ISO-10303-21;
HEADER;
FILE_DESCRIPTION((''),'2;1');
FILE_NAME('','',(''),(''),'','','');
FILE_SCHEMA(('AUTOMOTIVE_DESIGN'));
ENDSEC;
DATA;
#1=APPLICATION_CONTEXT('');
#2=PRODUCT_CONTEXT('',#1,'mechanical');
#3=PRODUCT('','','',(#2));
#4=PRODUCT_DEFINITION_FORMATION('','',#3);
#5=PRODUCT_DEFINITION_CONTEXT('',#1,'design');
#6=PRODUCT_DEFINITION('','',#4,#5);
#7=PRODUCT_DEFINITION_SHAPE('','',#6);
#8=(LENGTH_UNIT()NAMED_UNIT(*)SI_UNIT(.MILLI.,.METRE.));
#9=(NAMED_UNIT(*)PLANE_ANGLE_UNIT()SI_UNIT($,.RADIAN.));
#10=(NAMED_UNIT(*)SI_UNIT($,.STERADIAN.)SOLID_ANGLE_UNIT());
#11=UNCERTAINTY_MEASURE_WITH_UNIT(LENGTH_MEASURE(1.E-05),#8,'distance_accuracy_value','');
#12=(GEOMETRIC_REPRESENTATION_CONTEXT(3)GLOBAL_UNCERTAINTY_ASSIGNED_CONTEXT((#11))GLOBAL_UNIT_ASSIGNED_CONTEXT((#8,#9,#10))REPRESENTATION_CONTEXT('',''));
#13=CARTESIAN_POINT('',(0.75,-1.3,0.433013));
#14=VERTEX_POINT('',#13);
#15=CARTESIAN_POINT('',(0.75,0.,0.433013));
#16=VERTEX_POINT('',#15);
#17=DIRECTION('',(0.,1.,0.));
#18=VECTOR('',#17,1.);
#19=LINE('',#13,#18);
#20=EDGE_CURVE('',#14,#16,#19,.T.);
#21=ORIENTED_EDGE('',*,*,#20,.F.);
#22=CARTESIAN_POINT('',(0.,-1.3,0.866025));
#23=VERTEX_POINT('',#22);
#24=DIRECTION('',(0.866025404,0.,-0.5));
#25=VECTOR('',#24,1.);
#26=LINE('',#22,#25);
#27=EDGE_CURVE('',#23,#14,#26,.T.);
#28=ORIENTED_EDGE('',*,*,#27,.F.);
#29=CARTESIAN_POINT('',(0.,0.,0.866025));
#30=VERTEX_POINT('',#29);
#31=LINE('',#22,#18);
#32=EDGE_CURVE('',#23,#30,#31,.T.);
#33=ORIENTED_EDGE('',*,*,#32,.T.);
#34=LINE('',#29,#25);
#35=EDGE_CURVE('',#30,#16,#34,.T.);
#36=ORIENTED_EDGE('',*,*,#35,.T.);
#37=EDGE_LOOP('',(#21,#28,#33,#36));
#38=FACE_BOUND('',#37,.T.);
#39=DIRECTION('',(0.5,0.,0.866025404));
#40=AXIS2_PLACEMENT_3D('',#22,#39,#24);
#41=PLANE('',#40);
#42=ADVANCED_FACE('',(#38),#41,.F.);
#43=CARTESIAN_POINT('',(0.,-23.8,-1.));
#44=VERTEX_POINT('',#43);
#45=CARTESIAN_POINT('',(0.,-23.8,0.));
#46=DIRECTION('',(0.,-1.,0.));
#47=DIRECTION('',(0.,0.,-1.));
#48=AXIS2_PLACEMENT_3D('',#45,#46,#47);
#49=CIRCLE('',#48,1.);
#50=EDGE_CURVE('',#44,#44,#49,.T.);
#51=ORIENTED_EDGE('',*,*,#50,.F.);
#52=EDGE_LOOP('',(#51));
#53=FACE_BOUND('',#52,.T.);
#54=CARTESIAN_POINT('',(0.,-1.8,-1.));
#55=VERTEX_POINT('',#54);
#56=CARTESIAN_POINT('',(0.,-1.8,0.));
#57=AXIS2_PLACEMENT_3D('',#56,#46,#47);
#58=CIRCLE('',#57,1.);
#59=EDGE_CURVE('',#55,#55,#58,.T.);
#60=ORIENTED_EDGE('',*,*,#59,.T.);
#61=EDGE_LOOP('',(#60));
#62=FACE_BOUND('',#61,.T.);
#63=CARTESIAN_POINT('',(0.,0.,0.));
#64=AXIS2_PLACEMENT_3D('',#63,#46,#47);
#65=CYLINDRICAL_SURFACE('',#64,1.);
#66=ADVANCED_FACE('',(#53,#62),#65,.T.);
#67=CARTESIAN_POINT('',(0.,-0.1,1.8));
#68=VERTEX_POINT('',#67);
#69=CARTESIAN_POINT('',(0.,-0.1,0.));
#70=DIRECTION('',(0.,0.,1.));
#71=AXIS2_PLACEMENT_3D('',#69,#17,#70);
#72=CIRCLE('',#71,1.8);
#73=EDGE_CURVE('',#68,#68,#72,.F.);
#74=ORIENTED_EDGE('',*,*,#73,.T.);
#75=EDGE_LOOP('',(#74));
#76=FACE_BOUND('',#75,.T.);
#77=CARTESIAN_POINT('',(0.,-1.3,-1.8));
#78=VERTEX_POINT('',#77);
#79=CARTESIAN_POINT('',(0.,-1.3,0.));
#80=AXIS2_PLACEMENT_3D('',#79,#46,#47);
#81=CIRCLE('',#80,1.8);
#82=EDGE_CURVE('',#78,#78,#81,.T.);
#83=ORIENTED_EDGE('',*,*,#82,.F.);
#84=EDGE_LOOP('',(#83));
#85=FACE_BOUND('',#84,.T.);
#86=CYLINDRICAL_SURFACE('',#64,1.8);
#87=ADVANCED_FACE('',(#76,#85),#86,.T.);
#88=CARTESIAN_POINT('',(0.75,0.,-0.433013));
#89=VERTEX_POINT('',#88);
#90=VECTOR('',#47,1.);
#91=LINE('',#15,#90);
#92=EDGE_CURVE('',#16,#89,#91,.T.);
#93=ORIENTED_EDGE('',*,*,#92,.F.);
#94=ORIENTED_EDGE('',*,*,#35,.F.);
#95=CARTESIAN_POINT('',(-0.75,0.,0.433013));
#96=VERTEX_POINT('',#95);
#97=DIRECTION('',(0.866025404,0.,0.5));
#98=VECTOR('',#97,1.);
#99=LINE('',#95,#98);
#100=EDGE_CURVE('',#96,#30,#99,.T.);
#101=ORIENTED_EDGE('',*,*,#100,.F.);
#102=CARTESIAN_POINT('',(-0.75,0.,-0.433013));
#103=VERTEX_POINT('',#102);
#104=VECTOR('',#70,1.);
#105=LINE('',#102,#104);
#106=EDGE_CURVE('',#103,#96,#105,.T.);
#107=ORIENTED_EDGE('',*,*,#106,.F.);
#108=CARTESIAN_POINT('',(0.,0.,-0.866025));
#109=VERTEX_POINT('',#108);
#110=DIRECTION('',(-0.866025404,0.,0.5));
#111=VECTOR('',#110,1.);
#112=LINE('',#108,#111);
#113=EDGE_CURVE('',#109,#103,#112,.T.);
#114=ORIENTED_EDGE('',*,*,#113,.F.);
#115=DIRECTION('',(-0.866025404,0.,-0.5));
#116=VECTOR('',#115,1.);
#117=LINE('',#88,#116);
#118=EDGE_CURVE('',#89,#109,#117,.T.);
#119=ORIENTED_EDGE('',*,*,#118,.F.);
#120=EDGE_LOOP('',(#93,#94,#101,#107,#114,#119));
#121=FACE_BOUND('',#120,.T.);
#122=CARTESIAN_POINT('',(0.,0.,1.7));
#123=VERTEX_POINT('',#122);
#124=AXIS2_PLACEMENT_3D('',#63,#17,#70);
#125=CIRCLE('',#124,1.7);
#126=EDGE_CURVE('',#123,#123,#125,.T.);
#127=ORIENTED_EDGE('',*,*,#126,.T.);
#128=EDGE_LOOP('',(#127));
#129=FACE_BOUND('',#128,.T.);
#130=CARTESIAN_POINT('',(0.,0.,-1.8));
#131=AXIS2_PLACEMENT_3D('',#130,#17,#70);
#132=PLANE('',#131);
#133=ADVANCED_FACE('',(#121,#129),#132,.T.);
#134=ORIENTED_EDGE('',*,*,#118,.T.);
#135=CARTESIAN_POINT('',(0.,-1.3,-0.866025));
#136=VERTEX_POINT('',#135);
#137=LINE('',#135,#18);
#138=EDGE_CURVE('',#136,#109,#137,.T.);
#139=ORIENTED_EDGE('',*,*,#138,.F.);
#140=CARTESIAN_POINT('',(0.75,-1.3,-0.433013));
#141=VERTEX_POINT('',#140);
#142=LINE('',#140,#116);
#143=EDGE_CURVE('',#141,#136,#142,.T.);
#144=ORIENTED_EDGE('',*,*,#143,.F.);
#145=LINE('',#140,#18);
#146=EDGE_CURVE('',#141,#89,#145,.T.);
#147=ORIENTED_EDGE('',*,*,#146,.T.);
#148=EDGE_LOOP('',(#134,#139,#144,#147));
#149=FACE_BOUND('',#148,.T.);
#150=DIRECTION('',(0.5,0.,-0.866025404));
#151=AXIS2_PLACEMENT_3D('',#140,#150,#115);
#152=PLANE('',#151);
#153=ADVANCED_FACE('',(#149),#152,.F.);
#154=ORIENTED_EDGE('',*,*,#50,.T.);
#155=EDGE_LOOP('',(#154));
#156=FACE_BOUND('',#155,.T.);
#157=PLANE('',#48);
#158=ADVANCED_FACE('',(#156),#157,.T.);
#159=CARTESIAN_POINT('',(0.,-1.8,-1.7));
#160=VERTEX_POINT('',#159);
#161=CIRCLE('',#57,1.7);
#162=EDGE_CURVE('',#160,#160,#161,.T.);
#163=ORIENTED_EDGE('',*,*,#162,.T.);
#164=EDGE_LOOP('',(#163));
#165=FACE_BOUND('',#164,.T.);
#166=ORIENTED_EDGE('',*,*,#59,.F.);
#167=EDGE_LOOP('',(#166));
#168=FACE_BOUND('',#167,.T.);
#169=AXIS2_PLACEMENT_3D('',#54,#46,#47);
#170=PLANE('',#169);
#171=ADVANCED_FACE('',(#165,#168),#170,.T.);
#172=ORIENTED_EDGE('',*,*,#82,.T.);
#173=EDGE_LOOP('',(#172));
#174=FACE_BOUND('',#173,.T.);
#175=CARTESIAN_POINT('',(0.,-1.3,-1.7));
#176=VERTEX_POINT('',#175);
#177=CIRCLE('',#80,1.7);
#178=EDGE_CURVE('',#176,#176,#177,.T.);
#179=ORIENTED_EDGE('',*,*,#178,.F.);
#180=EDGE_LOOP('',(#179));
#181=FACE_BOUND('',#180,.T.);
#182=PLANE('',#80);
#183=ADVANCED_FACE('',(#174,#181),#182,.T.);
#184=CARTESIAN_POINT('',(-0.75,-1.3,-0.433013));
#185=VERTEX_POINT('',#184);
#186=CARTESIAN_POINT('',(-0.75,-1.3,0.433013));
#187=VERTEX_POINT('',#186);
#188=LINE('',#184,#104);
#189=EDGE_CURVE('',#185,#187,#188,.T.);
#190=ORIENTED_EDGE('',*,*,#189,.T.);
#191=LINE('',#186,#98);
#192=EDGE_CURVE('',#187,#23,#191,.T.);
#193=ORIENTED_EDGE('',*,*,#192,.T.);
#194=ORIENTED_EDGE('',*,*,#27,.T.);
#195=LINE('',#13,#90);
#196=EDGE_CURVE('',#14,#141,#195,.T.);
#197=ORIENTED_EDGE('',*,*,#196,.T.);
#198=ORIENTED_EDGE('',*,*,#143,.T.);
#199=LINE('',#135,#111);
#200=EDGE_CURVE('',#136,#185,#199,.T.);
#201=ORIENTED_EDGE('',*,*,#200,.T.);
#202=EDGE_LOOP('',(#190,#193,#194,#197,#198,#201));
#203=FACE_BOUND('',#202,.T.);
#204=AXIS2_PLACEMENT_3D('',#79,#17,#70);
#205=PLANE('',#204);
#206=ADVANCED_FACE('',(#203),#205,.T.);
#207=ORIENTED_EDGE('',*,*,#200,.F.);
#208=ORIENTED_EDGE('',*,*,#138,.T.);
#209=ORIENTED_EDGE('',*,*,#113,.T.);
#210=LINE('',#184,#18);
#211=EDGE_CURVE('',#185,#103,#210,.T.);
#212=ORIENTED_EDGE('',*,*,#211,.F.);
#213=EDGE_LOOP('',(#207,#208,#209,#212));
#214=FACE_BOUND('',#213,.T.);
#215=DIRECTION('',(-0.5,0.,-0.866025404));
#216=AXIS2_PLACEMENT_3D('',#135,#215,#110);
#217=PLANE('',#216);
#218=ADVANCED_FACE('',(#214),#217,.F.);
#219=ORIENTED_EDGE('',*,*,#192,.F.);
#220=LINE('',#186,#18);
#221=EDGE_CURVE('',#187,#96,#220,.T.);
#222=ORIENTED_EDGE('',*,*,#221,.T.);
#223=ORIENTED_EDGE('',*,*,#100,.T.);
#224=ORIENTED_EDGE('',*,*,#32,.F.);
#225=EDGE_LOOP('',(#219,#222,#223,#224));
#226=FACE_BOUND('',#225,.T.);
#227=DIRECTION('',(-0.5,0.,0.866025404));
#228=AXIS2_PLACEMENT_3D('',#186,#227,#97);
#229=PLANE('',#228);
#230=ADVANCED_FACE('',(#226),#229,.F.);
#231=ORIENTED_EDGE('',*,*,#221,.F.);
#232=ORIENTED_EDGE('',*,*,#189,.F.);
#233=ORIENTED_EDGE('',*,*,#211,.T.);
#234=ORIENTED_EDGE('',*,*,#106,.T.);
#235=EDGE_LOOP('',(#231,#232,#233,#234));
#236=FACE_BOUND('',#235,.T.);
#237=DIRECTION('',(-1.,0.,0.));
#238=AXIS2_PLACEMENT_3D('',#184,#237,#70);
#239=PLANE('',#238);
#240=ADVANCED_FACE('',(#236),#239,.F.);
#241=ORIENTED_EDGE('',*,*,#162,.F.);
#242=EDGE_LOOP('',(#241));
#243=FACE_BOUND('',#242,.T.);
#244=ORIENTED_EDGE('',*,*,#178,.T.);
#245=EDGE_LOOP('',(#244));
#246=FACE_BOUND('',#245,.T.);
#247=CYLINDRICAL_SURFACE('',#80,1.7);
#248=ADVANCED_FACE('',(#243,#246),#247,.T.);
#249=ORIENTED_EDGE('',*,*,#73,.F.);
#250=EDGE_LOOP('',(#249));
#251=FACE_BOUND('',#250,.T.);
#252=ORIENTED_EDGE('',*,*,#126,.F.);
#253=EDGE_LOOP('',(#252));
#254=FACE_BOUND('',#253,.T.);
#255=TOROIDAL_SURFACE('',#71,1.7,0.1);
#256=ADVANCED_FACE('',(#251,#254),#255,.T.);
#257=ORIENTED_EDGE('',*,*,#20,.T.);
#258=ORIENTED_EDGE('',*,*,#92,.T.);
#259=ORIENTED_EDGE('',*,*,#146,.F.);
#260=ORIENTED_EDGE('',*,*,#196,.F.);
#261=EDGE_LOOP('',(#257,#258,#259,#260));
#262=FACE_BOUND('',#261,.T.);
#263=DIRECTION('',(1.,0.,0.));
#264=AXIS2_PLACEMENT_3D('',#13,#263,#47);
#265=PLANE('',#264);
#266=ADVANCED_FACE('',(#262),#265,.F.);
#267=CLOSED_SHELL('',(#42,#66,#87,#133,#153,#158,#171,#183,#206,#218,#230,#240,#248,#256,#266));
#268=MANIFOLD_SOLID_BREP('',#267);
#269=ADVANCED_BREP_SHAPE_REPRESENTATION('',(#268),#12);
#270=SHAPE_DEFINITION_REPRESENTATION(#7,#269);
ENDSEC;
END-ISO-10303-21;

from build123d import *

# Parameters (mm, degrees)
CUT_EXTRUDE1_DEPTH = 1.3
FILLET1_R          = 0.1
CUT_EXTRUDE2_START = -0.5
SKETCH3_R          = 1.8
SKETCH3_R_2        = 1.7
CUT_EXTRUDE2_DEPTH = 0.5


with BuildPart() as part:
    # Sketch1 → Revolve1 (revolve)
    with BuildSketch(Plane(origin=(0, 0, 0), x_dir=(0, 0, -1), z_dir=(1, 0, 0))):
        Polygon((0, 0), (0, -23.8), (1, -23.8), (1, -1.8), (1.8, -1.8), (1.8, 0), align=None)
    revolve(axis=Axis((0, 0, 0), (0, 1, 0)))

    # Sketch2 → Cut-Extrude1 (cut)
    with BuildSketch(Plane(origin=(0, 0, 0), x_dir=(1, 0, 0), z_dir=(0, 1, 0))):
        Polygon((0, 0.866025404), (-0.75, 0.433012702), (-0.75, -0.433012702), (0, -0.866025404), (0.75, -0.433012702), (0.75, 0.433012702), align=None)
    extrude(amount=-CUT_EXTRUDE1_DEPTH, mode=Mode.SUBTRACT)

    # Fillet1
    fillet1_edges = [part.edges().sort_by_distance(p)[0] for p in [
        (0, 0, 1.8),
    ]]
    fillet(fillet1_edges, radius=FILLET1_R)

    # Sketch3 → Cut-Extrude2 (cut)
    with BuildSketch(Plane.XZ.offset(1.8).offset(CUT_EXTRUDE2_START)):
        with Locations(Location((0, 0, 0), (0, 0, 270))):
            Circle(SKETCH3_R)
        with Locations(Location((0, 0, 0), (0, 0, 270))):
            Circle(SKETCH3_R_2, mode=Mode.SUBTRACT)
    extrude(amount=CUT_EXTRUDE2_DEPTH, mode=Mode.SUBTRACT)


solid = part.part
